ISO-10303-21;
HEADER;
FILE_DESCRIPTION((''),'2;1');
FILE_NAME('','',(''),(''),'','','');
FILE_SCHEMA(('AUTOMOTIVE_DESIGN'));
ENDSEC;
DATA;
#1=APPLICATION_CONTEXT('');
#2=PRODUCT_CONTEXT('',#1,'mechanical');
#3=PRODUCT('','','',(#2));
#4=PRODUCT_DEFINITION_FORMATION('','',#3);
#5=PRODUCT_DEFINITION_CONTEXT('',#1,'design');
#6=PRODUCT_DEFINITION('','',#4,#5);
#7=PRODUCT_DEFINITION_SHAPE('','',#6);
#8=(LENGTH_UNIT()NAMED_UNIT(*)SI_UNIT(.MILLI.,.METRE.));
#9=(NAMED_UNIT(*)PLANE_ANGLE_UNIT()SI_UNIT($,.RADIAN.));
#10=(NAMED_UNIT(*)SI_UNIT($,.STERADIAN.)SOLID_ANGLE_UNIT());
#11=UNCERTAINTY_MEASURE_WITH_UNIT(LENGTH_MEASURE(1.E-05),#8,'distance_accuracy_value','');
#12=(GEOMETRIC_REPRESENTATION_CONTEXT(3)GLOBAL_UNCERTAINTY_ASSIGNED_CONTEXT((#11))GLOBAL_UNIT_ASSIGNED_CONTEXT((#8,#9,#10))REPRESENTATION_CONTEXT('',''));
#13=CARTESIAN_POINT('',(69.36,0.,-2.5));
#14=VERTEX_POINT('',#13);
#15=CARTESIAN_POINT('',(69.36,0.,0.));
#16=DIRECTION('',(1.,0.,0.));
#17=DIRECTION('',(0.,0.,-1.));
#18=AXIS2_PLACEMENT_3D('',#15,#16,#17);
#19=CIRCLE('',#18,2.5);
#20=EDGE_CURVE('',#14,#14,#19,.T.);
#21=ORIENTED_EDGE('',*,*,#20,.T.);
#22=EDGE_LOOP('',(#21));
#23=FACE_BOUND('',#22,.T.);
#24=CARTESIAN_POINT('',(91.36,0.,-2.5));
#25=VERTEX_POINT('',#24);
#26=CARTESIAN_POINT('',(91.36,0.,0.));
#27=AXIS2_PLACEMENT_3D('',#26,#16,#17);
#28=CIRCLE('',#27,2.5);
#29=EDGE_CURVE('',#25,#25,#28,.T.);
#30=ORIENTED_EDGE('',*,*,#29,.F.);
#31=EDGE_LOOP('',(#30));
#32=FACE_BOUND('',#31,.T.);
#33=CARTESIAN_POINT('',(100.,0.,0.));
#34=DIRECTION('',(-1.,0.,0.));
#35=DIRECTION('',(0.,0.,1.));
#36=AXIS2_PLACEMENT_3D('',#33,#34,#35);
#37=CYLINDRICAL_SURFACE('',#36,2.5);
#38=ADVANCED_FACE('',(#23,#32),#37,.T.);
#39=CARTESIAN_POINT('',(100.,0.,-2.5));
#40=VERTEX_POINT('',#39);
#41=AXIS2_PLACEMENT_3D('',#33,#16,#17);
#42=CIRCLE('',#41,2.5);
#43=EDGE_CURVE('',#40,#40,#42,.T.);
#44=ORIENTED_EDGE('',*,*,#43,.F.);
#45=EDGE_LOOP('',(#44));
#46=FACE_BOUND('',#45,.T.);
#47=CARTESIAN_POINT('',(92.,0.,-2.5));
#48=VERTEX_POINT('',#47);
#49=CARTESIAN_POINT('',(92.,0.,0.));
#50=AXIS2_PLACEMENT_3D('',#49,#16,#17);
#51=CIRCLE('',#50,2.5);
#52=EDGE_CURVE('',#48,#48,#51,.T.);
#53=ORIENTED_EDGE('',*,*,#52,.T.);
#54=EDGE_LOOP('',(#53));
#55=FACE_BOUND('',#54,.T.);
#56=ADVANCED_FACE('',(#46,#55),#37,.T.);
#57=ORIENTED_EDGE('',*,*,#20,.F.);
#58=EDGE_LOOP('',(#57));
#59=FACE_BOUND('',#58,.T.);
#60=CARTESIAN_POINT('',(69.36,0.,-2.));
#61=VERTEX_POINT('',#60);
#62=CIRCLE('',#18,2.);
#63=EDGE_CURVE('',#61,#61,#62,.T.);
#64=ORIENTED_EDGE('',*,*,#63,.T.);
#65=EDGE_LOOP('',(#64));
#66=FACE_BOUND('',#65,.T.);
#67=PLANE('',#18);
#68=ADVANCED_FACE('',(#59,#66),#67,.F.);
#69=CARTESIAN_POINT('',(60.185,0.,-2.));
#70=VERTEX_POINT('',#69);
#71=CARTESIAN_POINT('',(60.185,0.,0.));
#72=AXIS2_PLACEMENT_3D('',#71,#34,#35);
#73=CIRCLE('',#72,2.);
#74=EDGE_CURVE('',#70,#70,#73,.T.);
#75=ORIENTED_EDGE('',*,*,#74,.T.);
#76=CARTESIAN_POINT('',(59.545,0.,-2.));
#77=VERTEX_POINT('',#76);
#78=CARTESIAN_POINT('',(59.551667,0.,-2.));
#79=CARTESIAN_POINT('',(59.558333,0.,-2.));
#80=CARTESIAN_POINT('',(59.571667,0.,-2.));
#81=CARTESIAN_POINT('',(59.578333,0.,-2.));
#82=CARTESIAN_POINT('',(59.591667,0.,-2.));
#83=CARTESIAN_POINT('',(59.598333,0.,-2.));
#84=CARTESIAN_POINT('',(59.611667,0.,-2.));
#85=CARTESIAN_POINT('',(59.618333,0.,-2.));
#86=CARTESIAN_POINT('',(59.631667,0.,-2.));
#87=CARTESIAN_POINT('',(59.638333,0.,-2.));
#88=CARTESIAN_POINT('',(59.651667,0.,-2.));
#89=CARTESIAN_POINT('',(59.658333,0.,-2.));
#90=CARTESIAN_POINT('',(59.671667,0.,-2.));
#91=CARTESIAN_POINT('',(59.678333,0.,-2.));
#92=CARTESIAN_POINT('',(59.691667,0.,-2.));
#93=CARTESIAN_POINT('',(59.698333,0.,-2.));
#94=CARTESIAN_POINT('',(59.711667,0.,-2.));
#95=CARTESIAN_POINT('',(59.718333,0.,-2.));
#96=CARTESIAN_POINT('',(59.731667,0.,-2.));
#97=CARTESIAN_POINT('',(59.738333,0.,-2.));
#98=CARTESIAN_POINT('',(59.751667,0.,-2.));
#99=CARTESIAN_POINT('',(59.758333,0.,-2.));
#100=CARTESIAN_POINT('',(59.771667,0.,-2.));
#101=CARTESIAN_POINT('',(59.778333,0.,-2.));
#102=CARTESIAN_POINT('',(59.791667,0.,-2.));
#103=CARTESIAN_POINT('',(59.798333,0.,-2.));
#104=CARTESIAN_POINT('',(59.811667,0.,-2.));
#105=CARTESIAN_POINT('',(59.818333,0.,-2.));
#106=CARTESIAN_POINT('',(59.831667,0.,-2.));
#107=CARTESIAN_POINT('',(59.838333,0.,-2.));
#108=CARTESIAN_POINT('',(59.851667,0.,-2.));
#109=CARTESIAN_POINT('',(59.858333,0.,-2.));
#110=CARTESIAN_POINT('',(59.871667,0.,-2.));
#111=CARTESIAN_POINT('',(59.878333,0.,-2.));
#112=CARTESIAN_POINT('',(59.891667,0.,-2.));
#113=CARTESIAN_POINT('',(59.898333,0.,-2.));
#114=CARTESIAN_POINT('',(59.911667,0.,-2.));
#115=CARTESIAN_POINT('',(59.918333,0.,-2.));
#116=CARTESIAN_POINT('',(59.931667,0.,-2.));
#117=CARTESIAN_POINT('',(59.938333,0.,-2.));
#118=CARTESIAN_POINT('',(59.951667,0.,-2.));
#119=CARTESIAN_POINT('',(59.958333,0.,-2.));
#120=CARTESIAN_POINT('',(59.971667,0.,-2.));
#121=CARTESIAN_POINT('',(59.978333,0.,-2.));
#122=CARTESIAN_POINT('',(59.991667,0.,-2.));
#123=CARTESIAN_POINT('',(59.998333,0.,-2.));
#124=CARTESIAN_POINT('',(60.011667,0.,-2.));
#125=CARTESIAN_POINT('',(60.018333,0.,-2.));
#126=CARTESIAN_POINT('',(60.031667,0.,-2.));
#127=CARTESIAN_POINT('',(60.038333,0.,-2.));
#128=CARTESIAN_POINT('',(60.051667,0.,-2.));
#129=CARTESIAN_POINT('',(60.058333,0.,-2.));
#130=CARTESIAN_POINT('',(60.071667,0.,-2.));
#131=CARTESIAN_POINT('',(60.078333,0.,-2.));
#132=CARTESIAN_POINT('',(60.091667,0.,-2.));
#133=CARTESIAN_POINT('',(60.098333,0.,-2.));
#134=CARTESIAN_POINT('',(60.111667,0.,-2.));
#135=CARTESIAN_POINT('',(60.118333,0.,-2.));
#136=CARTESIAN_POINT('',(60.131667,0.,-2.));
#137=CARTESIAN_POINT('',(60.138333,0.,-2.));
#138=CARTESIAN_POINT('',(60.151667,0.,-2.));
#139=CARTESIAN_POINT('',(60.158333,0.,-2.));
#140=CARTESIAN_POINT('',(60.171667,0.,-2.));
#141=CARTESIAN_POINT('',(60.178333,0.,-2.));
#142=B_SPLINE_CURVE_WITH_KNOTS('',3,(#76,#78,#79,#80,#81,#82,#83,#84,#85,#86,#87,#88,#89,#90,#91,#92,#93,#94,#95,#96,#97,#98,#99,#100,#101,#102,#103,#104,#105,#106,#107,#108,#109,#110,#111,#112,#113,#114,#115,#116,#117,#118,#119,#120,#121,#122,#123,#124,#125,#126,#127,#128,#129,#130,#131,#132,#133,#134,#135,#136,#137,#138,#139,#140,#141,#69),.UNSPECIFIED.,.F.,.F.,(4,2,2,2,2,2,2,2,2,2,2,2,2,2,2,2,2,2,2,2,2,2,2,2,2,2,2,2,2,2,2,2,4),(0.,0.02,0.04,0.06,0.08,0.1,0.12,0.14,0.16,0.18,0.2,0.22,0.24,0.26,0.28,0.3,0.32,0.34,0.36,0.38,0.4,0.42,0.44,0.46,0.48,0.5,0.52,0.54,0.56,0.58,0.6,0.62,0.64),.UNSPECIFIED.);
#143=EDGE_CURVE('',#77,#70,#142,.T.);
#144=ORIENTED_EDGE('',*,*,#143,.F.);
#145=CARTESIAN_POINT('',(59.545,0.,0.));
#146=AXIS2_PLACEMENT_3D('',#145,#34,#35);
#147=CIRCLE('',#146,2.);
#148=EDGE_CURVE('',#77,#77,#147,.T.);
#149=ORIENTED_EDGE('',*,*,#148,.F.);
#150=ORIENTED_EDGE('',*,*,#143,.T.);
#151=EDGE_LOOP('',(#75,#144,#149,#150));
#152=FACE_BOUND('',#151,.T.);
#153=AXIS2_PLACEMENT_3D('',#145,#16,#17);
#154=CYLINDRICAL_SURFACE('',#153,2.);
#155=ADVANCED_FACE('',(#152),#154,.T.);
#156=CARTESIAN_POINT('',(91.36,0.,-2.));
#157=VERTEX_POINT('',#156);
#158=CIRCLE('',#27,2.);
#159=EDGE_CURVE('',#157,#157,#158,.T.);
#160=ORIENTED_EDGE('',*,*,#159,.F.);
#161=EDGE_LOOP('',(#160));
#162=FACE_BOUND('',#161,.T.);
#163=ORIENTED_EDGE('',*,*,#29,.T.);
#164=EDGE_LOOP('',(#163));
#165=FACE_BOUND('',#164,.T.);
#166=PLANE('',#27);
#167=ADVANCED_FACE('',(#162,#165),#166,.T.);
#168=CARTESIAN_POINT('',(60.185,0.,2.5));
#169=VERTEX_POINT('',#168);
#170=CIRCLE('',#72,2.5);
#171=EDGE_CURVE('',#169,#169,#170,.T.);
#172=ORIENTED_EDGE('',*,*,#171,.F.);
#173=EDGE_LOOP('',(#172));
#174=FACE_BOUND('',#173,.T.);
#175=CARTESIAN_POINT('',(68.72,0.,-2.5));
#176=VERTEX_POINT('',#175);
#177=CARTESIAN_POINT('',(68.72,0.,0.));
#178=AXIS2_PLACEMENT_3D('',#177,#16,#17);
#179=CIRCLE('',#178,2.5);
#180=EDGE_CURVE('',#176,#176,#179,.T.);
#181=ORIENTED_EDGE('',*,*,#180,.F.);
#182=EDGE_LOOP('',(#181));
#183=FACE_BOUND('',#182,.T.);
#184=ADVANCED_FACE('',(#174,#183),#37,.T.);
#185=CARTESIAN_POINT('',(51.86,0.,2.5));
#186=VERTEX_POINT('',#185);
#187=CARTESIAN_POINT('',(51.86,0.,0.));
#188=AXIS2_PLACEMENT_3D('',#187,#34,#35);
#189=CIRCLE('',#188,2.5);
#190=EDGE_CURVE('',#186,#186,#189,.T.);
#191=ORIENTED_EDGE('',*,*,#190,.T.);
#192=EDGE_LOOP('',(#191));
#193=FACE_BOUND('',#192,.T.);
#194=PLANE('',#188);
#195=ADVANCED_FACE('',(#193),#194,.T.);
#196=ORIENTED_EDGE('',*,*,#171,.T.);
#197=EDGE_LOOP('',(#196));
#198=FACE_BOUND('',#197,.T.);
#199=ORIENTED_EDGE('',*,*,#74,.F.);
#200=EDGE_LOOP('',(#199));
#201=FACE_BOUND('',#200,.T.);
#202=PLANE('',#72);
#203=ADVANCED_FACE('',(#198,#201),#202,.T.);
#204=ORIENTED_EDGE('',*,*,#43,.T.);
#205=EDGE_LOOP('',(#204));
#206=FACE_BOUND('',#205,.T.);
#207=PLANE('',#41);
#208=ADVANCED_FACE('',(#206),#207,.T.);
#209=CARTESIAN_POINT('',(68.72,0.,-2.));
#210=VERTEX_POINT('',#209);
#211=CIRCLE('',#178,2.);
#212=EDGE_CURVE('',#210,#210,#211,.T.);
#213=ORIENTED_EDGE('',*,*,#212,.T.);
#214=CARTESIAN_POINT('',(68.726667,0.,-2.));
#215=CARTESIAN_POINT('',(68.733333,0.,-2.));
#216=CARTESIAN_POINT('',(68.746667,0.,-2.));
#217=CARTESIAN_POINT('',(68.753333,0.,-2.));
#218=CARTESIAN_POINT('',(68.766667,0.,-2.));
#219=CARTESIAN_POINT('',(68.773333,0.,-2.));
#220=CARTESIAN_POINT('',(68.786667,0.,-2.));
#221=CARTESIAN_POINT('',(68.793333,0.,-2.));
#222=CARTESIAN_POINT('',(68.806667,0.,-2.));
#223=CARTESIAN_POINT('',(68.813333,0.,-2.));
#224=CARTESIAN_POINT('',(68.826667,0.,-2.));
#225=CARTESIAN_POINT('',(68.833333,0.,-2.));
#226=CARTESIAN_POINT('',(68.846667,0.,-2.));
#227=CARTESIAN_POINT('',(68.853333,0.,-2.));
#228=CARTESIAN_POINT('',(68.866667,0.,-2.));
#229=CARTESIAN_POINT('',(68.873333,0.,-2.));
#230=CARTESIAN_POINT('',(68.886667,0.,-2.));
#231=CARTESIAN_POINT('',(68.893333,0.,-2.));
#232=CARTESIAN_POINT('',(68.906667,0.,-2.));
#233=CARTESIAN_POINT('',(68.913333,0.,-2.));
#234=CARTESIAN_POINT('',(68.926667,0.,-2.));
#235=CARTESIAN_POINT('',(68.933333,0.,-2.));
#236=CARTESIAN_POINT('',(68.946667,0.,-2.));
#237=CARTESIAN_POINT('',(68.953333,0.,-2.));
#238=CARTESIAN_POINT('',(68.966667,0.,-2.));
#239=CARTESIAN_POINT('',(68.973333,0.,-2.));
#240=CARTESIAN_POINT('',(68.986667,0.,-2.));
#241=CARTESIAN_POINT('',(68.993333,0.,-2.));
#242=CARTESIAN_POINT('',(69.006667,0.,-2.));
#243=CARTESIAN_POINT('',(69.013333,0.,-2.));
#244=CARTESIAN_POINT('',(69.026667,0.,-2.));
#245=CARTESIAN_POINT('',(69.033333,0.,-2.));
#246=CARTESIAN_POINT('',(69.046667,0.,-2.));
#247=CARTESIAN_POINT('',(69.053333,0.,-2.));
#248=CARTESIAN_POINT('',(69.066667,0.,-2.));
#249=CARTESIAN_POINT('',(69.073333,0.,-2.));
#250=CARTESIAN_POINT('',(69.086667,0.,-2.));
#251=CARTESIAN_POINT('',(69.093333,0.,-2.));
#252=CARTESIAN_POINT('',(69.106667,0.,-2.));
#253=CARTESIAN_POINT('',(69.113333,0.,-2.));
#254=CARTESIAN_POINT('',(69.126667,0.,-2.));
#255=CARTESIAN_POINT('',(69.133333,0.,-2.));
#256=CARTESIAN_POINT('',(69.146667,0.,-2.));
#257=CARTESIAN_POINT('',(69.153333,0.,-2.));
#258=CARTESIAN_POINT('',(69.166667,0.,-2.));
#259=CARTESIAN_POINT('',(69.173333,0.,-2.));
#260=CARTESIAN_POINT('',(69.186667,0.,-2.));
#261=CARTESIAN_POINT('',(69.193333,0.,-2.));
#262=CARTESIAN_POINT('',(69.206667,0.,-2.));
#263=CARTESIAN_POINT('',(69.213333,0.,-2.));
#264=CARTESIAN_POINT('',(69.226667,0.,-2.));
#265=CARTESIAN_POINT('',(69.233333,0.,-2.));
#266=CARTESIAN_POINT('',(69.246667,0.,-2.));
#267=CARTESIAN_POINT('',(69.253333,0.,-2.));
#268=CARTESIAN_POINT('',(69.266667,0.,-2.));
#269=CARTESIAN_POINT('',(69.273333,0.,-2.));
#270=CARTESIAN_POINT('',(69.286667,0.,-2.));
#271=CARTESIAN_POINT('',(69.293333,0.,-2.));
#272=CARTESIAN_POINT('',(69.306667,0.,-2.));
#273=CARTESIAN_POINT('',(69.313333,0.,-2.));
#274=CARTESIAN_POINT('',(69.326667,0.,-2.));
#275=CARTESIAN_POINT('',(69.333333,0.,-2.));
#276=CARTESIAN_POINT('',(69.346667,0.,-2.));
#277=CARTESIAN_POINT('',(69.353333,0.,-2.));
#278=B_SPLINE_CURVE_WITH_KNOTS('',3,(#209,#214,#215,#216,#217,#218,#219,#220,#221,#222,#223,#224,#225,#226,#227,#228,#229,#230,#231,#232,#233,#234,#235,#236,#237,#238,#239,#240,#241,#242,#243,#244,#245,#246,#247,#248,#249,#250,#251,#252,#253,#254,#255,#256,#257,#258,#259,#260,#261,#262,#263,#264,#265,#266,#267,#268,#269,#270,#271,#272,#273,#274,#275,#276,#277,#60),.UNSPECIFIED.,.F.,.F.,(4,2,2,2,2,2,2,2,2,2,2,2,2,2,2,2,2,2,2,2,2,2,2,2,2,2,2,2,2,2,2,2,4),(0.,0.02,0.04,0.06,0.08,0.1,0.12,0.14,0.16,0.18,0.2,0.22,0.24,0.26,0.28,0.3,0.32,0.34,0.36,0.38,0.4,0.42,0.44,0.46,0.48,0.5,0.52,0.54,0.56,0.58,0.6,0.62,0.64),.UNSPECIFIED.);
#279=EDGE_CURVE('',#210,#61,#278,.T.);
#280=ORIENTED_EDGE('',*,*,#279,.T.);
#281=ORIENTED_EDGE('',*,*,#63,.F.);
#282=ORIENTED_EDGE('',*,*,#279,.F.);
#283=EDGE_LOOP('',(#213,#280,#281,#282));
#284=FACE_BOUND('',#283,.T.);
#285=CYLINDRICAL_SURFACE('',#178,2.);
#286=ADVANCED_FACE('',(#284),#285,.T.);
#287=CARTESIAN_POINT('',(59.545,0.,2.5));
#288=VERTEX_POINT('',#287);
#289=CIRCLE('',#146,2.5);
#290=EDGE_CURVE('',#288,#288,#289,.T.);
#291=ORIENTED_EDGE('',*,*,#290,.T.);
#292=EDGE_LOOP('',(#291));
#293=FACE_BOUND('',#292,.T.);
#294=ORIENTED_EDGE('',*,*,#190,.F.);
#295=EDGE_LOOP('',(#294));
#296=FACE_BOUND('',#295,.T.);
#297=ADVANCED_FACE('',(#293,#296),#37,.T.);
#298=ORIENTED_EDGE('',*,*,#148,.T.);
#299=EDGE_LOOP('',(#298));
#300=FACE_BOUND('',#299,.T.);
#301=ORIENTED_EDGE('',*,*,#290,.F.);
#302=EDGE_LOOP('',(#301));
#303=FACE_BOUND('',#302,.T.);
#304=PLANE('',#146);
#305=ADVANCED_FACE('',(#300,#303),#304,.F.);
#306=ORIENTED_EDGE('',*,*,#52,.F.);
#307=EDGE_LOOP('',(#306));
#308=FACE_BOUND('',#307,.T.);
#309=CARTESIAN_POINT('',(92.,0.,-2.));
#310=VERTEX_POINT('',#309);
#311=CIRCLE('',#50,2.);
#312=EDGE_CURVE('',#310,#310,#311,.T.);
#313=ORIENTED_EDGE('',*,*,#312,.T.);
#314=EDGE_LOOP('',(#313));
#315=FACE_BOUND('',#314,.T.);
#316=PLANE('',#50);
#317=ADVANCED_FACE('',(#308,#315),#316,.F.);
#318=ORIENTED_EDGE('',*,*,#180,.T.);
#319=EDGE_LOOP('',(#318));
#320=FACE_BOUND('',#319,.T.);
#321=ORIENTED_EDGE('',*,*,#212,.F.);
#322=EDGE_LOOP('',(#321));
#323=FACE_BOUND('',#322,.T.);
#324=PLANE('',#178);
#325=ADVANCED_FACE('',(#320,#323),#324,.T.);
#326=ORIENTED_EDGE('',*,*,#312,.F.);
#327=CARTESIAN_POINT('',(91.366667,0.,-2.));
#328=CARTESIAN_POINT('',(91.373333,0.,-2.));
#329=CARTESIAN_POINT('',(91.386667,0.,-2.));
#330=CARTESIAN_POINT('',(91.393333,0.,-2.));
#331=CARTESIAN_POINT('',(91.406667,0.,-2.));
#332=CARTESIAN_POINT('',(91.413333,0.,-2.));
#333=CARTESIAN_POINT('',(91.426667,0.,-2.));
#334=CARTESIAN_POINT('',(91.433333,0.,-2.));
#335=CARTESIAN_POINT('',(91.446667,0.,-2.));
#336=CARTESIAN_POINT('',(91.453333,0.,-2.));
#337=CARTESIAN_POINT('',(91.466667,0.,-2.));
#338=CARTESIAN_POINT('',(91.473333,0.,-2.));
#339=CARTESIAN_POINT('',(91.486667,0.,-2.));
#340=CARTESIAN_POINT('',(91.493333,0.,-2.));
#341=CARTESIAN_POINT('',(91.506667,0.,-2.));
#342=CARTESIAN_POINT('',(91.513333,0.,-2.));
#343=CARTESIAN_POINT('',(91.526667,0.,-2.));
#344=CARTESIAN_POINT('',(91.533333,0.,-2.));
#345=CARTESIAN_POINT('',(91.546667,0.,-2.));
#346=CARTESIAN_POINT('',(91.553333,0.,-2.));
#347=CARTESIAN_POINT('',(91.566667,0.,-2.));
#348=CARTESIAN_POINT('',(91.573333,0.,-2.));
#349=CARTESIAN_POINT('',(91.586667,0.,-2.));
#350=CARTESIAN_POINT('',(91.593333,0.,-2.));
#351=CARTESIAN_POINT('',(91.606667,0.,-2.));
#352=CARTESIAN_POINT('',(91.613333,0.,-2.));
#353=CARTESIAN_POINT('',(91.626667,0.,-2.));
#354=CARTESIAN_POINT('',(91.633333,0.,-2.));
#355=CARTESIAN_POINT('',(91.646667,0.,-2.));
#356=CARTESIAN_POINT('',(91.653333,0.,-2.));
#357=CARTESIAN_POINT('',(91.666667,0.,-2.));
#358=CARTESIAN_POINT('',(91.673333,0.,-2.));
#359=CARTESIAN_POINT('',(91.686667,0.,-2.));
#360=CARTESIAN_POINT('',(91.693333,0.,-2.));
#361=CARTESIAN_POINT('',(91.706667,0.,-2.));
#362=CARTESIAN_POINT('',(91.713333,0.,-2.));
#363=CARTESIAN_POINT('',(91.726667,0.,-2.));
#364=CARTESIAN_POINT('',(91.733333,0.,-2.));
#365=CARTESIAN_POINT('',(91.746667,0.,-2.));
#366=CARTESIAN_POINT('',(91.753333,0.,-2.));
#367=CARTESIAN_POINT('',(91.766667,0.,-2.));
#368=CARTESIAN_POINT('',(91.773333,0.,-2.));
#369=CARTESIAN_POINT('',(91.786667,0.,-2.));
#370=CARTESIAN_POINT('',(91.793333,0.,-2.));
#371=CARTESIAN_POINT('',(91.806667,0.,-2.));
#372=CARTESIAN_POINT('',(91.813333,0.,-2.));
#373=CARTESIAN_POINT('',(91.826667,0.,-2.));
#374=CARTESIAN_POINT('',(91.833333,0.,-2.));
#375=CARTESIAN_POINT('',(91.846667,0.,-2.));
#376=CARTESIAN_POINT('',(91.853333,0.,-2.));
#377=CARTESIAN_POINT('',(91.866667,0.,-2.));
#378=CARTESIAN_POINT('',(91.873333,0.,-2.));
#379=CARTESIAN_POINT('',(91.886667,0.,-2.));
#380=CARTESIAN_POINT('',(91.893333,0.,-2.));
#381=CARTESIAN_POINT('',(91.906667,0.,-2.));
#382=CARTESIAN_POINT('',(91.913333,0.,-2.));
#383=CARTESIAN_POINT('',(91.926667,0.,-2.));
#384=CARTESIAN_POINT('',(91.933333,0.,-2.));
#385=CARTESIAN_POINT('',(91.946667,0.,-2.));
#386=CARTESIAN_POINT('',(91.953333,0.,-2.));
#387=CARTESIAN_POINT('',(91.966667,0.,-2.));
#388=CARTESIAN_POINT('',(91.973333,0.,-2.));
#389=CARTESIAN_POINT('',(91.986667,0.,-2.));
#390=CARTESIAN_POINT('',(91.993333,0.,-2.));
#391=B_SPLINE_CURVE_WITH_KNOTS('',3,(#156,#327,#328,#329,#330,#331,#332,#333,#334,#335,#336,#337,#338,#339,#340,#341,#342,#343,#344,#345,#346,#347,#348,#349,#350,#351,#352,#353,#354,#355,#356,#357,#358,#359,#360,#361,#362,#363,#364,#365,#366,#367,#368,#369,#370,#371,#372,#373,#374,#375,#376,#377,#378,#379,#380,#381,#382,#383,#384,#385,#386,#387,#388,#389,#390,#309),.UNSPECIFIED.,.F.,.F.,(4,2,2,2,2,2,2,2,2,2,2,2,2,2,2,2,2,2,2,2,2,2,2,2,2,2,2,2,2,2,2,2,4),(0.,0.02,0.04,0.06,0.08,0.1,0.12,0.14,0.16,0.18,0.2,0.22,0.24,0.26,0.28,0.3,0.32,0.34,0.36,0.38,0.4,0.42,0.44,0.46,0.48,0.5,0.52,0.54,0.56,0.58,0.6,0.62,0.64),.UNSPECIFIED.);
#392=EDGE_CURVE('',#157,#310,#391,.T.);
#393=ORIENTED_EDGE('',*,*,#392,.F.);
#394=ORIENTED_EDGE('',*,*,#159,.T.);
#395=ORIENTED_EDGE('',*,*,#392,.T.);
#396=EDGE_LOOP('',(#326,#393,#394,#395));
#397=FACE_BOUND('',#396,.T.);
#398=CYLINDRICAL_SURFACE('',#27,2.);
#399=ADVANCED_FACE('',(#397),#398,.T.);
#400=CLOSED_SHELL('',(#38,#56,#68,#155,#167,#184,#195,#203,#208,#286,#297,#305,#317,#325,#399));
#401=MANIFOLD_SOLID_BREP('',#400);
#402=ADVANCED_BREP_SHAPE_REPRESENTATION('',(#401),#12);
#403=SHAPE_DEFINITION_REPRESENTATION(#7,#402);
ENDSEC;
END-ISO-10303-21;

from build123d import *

# Parameters (mm, degrees)
SKETCH1_R           = 2.5
BOSS_EXTRUDE1_DEPTH = 100
CUT_EXTRUDE1_START  = -0.64
SKETCH2_R           = 2.5
SKETCH2_R_2         = 2
CUT_EXTRUDE1_DEPTH  = 0.64
CUT_EXTRUDE2_START  = -0.64
SKETCH3_R           = 2.5
SKETCH3_R_2         = 2
CUT_EXTRUDE2_DEPTH  = 0.64
CUT_EXTRUDE3_START  = 51.86
SKETCH4_R           = 2.5
CUT_EXTRUDE3_DEPTH  = 51.86
CUT_EXTRUDE4_START  = 0.64
SKETCH6_R           = 2.5
SKETCH6_R_2         = 2
CUT_EXTRUDE4_DEPTH  = 0.64


with BuildPart() as part:
    # Sketch1 → Boss-Extrude1 (new body)
    with BuildSketch(Plane(origin=(0, 0, 0), x_dir=(0, 0, -1), z_dir=(1, 0, 0))):
        Circle(SKETCH1_R)
    extrude(amount=BOSS_EXTRUDE1_DEPTH)

    # Sketch2 → Cut-Extrude1 (cut)
    with BuildSketch(Plane(origin=(92, 0, 0), x_dir=(0, 0, -1), z_dir=(1, 0, 0)).offset(CUT_EXTRUDE1_START)):
        Circle(SKETCH2_R)
        Circle(SKETCH2_R_2, mode=Mode.SUBTRACT)
    extrude(amount=CUT_EXTRUDE1_DEPTH, mode=Mode.SUBTRACT)

    # Sketch3 → Cut-Extrude2 (cut)
    with BuildSketch(Plane(origin=(69.36, 0, 0), x_dir=(0, 0, -1), z_dir=(1, 0, 0)).offset(CUT_EXTRUDE2_START)):
        Circle(SKETCH3_R)
        Circle(SKETCH3_R_2, mode=Mode.SUBTRACT)
    extrude(amount=CUT_EXTRUDE2_DEPTH, mode=Mode.SUBTRACT)

    # Sketch4 → Cut-Extrude3 (cut)
    with BuildSketch(Plane.ZY.offset(-51.86).offset(CUT_EXTRUDE3_START)):
        Circle(SKETCH4_R)
    extrude(amount=-CUT_EXTRUDE3_DEPTH, mode=Mode.SUBTRACT)

    # Sketch6 → Cut-Extrude4 (cut)
    with BuildSketch(Plane.ZY.offset(-60.185).offset(CUT_EXTRUDE4_START)):
        Circle(SKETCH6_R)
        with Locations(Location((0, 0, 0), (0, 0, 180))):
            Circle(SKETCH6_R_2, mode=Mode.SUBTRACT)
    extrude(amount=-CUT_EXTRUDE4_DEPTH, mode=Mode.SUBTRACT)


solid = part.part
